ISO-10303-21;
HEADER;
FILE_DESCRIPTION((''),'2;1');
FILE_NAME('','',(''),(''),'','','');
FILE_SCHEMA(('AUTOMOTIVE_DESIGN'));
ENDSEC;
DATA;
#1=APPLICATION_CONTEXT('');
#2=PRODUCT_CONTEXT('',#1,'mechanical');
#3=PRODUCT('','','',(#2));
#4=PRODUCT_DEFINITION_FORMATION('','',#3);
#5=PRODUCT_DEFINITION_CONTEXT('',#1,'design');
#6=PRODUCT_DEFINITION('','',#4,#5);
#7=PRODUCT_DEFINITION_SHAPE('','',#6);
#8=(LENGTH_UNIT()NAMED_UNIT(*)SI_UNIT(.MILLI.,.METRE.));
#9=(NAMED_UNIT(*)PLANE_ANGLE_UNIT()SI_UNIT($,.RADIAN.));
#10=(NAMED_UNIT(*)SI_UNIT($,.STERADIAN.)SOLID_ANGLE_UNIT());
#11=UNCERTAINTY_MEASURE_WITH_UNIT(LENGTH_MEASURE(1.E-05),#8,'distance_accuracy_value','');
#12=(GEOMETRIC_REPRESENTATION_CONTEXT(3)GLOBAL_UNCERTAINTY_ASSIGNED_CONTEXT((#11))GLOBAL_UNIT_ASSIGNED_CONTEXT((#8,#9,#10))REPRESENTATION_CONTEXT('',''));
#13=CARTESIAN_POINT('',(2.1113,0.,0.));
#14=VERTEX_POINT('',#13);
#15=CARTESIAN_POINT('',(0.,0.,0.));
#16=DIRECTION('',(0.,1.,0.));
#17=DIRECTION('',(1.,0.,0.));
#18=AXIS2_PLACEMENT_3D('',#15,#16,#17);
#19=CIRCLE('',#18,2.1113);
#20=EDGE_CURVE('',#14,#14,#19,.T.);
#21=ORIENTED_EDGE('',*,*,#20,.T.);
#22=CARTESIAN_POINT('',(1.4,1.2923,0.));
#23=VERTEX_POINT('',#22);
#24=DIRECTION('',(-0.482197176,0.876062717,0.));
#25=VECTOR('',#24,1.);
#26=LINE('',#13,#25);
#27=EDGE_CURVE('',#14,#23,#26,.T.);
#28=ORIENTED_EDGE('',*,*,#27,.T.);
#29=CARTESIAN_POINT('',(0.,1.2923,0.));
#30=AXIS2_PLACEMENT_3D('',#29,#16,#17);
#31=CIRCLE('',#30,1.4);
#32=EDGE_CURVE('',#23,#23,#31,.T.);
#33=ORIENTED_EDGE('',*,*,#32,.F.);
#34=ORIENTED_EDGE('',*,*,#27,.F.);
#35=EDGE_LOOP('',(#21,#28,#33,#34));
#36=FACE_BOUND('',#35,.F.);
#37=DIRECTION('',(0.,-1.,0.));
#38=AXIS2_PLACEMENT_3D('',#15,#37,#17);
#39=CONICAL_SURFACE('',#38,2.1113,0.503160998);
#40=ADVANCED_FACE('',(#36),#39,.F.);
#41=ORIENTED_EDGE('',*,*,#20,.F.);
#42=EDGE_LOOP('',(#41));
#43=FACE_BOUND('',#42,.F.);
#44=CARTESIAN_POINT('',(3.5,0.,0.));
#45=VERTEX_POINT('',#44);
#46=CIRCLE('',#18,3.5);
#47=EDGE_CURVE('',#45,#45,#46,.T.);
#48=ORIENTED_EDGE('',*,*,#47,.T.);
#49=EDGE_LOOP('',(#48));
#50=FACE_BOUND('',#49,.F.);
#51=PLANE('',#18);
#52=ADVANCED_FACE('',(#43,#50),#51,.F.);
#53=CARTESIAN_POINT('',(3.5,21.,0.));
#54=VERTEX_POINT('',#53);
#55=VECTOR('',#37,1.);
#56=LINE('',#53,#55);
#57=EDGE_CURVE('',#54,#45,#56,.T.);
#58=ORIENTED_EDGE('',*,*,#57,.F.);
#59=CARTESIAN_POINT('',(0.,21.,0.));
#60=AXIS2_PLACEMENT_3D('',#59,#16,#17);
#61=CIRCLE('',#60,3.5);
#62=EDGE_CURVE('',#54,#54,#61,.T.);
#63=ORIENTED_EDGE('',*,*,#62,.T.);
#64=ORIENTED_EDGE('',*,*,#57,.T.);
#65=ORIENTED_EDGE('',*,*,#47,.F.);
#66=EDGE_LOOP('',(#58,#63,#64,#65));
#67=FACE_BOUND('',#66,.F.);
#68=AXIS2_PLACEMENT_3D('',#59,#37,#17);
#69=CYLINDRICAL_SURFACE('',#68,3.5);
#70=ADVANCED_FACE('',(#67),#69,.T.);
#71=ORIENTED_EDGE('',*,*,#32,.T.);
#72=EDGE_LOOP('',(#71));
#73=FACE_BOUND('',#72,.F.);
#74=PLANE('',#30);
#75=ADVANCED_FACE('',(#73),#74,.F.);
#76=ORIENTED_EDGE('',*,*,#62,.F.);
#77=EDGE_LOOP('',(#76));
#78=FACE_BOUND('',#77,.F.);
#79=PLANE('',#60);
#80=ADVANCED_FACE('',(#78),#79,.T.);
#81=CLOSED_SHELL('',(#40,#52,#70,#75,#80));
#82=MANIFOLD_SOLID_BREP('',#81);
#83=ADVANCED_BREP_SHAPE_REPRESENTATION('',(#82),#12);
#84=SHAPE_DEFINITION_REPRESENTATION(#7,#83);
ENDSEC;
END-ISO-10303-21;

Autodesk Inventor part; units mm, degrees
ref_plane "YZ Plane" through (0, 0, 0) normal (1, 0, 0) x (0, 1, 0)
ref_plane "XZ Plane" through (0, 0, 0) normal (0, 1, 0) x (-1, 0, 0)
ref_plane "XY Plane" through (0, 0, 0) normal (0, 0, 1) x (1, 0, 0)
sketch "Sketch1" plane through (0, 0, 0) normal (0, 0, 1) x (1, 0, 0)
  line L0 (0, 0) -> (0, 21)
  line L1 (0, 21) -> (3.5, 21)
  line L2 (3.5, 21) -> (3.5, 0)
  line L3 (3.5, 0) -> (2.1113, 0)
  line L4 (2.1113, 0) -> (1.4, 1.2923)
  line L5 (1.4, 1.2923) -> (0, 1.2923)
  dimension "d0" = 7
  dimension "d1" = 21
revolve "Revolution1" add sketch "Sketch1" angle 360 about axis through (0, 0, 0) along (0, 1, 0)
properties part number "VLM-650-03-LPT"
